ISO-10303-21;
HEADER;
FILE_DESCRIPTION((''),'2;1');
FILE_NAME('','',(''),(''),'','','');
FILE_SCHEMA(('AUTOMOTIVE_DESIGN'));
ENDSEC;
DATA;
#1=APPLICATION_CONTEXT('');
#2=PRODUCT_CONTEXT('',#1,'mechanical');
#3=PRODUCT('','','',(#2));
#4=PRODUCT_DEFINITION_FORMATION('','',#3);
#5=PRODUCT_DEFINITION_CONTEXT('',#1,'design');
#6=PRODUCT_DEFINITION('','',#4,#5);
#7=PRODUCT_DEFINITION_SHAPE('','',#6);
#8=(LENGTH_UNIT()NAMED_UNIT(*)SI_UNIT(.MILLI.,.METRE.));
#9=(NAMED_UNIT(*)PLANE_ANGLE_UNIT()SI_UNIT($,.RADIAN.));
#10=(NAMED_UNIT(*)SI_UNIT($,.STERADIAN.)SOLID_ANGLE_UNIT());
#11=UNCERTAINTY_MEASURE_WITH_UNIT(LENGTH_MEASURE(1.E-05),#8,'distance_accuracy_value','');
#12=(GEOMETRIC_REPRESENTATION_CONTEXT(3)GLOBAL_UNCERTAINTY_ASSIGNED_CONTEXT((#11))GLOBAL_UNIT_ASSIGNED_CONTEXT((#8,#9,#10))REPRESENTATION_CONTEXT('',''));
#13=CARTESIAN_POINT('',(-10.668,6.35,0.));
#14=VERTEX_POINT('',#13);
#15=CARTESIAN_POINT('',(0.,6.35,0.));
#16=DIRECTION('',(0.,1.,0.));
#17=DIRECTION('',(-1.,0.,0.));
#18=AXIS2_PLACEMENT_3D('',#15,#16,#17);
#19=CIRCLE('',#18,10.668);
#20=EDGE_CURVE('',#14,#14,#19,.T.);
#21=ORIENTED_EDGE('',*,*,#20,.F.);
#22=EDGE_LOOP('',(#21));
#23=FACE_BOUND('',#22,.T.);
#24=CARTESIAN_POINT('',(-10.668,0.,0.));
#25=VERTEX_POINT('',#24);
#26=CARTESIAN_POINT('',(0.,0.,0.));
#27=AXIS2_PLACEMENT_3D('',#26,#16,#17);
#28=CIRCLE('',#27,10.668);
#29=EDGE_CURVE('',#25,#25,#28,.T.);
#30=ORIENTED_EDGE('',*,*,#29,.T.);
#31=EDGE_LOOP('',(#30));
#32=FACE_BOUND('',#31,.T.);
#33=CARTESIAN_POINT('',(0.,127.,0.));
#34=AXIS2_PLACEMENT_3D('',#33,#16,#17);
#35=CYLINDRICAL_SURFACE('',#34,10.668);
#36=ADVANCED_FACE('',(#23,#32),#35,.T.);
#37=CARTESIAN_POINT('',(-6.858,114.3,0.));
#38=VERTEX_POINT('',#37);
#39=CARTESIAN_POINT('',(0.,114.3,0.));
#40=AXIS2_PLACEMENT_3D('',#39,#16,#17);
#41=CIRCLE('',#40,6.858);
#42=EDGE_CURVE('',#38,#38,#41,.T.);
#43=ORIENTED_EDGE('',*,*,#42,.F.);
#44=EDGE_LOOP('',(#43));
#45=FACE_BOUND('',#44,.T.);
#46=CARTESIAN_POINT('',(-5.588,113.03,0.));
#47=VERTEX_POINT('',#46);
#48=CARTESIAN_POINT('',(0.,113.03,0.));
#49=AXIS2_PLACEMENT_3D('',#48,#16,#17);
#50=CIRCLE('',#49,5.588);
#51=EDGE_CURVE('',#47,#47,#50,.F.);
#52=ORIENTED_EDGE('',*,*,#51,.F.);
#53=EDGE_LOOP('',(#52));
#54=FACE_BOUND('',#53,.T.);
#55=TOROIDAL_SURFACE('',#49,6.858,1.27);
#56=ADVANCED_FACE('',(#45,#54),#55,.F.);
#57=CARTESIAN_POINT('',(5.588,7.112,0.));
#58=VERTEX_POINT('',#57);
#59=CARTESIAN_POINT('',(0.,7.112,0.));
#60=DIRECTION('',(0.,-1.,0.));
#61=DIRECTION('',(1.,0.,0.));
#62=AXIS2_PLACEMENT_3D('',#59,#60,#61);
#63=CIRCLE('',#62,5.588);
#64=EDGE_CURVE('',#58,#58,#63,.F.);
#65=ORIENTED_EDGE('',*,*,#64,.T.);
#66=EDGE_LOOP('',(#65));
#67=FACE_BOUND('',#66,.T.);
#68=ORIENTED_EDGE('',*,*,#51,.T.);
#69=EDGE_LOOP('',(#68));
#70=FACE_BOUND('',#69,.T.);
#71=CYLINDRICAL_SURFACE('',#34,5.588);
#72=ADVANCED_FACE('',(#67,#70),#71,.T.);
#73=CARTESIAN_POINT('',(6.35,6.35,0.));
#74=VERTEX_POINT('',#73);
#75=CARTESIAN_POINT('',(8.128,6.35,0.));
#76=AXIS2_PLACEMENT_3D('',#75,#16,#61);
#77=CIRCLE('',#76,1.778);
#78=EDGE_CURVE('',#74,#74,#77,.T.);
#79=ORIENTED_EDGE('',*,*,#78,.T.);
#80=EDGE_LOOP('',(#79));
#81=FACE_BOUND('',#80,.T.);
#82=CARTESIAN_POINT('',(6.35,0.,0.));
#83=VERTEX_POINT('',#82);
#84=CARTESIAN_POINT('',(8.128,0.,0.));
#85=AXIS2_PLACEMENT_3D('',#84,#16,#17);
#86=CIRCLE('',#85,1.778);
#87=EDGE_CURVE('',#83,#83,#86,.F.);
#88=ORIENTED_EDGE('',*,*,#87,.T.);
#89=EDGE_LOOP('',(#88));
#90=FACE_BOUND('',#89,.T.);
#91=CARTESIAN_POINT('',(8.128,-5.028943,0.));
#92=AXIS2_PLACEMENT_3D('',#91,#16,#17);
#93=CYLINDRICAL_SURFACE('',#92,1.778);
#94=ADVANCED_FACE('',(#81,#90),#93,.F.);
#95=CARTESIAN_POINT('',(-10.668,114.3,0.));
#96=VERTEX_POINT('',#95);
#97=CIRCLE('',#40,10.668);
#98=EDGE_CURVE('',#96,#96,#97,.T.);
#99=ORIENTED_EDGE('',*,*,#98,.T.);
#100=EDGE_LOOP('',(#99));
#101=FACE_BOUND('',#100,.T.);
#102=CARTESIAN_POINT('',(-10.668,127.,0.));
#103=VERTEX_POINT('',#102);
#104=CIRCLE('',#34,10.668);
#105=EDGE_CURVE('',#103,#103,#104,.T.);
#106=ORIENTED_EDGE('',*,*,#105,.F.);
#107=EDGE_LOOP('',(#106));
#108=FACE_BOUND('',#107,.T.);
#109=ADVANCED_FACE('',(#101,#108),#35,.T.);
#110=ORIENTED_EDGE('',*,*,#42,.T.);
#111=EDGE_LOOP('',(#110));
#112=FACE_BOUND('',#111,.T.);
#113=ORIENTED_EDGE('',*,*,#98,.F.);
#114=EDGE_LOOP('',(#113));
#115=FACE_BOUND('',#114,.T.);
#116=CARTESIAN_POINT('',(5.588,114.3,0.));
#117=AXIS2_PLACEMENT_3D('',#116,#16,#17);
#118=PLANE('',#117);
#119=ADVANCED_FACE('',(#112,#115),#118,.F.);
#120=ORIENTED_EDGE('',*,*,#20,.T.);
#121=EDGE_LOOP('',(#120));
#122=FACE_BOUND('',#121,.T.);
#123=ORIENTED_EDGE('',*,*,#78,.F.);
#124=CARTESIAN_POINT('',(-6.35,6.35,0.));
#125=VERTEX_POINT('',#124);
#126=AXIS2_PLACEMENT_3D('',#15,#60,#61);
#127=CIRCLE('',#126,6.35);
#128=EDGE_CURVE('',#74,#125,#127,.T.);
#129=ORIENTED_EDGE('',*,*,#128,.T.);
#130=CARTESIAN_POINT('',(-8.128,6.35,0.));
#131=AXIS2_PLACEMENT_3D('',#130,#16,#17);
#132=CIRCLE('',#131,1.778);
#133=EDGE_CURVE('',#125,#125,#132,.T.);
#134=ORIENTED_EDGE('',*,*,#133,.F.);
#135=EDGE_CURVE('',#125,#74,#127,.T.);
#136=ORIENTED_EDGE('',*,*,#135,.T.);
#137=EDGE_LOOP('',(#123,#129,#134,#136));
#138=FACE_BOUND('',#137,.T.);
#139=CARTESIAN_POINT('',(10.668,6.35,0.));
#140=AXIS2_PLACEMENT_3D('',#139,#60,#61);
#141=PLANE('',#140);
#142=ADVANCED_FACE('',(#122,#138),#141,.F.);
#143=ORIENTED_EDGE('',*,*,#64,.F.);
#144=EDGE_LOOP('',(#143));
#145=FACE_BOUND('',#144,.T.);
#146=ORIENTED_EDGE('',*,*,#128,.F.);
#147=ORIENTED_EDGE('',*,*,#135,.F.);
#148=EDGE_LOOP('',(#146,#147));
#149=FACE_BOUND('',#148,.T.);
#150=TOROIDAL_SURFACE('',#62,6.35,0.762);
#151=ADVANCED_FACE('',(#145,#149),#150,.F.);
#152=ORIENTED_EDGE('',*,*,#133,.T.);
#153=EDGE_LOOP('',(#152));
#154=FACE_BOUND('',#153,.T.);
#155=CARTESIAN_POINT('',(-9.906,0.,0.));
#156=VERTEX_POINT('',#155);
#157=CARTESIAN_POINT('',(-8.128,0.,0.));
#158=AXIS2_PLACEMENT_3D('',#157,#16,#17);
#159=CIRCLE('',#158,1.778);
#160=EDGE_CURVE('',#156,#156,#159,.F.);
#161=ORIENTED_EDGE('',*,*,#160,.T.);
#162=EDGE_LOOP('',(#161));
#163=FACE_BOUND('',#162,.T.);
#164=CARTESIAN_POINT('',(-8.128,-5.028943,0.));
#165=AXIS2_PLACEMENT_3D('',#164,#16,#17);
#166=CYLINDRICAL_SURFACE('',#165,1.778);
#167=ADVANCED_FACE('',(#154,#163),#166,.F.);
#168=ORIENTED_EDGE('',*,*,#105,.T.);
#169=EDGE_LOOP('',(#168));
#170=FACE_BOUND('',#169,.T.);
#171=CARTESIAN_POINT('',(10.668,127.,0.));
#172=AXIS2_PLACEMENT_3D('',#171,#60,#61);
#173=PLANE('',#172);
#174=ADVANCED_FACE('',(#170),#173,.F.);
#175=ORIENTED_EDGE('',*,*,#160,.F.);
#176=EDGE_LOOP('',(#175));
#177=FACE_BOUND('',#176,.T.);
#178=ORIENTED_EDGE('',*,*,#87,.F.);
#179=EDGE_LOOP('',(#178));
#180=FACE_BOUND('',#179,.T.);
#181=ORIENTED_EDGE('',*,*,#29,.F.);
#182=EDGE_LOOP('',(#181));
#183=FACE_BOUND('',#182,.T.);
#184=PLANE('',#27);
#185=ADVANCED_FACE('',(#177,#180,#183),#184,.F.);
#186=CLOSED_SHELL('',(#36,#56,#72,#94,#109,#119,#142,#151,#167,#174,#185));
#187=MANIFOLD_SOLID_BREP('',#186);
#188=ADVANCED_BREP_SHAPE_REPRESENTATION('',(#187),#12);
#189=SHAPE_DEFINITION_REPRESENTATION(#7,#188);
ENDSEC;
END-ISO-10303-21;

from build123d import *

# Parameters (mm, degrees)
SKETCH2_R          = 1.7779999999999996
CUT_EXTRUDE1_DEPTH = 6.35
FILLET1_R          = 1.27
FILLET2_R          = 0.762


with BuildPart() as part:
    # Sketch1 → Revolve1 (revolve)
    with BuildSketch(Plane.XY, mode=Mode.PRIVATE) as revolve1_sk:
        Polygon((0, 0), (10.668, 0), (10.668000000000001, 6.35), (5.588, 6.349999999999999), (5.588, 114.30000000000001), (10.668000000000001, 114.3), (10.668, 127), (-1.12e-14, 127), align=None)
    revolve(revolve1_sk.sketch.rotate(Axis((-1.12e-14, 127, 0), (9e-17, -1, 0)), 180), axis=Axis((-1.12e-14, 127, 0), (9e-17, -1, 0)))

    # Sketch2 → Cut-Extrude1 (cut)
    with BuildSketch(Plane(origin=(-5.6e-16, 6.349999999999999, 0), x_dir=(1, -1.7e-16, 0), z_dir=(1.7e-16, 1, 0))):
        with Locations(Location((-8.128000000000021, -4.5e-16, 0), (0, 0, 180))):
            Circle(SKETCH2_R)
        with Locations(Location((8.128000000000021, -4.5e-16, 0), (0, 0, 180))):
            Circle(SKETCH2_R)
    extrude(amount=-CUT_EXTRUDE1_DEPTH, mode=Mode.SUBTRACT)

    # Fillet1
    fillet1_edges = [part.edges().sort_by_distance(p)[0] for p in [
        (5.588000000000001, 114.30000000000001, -1.37e-15),
    ]]
    fillet(fillet1_edges, radius=FILLET1_R)

    # Fillet2
    fillet2_edges = [part.edges().sort_by_distance(p)[0] for p in [
        (5.587999999999999, 6.349999999999995, -3.85e-15),
    ]]
    fillet(fillet2_edges, radius=FILLET2_R)


solid = part.part
